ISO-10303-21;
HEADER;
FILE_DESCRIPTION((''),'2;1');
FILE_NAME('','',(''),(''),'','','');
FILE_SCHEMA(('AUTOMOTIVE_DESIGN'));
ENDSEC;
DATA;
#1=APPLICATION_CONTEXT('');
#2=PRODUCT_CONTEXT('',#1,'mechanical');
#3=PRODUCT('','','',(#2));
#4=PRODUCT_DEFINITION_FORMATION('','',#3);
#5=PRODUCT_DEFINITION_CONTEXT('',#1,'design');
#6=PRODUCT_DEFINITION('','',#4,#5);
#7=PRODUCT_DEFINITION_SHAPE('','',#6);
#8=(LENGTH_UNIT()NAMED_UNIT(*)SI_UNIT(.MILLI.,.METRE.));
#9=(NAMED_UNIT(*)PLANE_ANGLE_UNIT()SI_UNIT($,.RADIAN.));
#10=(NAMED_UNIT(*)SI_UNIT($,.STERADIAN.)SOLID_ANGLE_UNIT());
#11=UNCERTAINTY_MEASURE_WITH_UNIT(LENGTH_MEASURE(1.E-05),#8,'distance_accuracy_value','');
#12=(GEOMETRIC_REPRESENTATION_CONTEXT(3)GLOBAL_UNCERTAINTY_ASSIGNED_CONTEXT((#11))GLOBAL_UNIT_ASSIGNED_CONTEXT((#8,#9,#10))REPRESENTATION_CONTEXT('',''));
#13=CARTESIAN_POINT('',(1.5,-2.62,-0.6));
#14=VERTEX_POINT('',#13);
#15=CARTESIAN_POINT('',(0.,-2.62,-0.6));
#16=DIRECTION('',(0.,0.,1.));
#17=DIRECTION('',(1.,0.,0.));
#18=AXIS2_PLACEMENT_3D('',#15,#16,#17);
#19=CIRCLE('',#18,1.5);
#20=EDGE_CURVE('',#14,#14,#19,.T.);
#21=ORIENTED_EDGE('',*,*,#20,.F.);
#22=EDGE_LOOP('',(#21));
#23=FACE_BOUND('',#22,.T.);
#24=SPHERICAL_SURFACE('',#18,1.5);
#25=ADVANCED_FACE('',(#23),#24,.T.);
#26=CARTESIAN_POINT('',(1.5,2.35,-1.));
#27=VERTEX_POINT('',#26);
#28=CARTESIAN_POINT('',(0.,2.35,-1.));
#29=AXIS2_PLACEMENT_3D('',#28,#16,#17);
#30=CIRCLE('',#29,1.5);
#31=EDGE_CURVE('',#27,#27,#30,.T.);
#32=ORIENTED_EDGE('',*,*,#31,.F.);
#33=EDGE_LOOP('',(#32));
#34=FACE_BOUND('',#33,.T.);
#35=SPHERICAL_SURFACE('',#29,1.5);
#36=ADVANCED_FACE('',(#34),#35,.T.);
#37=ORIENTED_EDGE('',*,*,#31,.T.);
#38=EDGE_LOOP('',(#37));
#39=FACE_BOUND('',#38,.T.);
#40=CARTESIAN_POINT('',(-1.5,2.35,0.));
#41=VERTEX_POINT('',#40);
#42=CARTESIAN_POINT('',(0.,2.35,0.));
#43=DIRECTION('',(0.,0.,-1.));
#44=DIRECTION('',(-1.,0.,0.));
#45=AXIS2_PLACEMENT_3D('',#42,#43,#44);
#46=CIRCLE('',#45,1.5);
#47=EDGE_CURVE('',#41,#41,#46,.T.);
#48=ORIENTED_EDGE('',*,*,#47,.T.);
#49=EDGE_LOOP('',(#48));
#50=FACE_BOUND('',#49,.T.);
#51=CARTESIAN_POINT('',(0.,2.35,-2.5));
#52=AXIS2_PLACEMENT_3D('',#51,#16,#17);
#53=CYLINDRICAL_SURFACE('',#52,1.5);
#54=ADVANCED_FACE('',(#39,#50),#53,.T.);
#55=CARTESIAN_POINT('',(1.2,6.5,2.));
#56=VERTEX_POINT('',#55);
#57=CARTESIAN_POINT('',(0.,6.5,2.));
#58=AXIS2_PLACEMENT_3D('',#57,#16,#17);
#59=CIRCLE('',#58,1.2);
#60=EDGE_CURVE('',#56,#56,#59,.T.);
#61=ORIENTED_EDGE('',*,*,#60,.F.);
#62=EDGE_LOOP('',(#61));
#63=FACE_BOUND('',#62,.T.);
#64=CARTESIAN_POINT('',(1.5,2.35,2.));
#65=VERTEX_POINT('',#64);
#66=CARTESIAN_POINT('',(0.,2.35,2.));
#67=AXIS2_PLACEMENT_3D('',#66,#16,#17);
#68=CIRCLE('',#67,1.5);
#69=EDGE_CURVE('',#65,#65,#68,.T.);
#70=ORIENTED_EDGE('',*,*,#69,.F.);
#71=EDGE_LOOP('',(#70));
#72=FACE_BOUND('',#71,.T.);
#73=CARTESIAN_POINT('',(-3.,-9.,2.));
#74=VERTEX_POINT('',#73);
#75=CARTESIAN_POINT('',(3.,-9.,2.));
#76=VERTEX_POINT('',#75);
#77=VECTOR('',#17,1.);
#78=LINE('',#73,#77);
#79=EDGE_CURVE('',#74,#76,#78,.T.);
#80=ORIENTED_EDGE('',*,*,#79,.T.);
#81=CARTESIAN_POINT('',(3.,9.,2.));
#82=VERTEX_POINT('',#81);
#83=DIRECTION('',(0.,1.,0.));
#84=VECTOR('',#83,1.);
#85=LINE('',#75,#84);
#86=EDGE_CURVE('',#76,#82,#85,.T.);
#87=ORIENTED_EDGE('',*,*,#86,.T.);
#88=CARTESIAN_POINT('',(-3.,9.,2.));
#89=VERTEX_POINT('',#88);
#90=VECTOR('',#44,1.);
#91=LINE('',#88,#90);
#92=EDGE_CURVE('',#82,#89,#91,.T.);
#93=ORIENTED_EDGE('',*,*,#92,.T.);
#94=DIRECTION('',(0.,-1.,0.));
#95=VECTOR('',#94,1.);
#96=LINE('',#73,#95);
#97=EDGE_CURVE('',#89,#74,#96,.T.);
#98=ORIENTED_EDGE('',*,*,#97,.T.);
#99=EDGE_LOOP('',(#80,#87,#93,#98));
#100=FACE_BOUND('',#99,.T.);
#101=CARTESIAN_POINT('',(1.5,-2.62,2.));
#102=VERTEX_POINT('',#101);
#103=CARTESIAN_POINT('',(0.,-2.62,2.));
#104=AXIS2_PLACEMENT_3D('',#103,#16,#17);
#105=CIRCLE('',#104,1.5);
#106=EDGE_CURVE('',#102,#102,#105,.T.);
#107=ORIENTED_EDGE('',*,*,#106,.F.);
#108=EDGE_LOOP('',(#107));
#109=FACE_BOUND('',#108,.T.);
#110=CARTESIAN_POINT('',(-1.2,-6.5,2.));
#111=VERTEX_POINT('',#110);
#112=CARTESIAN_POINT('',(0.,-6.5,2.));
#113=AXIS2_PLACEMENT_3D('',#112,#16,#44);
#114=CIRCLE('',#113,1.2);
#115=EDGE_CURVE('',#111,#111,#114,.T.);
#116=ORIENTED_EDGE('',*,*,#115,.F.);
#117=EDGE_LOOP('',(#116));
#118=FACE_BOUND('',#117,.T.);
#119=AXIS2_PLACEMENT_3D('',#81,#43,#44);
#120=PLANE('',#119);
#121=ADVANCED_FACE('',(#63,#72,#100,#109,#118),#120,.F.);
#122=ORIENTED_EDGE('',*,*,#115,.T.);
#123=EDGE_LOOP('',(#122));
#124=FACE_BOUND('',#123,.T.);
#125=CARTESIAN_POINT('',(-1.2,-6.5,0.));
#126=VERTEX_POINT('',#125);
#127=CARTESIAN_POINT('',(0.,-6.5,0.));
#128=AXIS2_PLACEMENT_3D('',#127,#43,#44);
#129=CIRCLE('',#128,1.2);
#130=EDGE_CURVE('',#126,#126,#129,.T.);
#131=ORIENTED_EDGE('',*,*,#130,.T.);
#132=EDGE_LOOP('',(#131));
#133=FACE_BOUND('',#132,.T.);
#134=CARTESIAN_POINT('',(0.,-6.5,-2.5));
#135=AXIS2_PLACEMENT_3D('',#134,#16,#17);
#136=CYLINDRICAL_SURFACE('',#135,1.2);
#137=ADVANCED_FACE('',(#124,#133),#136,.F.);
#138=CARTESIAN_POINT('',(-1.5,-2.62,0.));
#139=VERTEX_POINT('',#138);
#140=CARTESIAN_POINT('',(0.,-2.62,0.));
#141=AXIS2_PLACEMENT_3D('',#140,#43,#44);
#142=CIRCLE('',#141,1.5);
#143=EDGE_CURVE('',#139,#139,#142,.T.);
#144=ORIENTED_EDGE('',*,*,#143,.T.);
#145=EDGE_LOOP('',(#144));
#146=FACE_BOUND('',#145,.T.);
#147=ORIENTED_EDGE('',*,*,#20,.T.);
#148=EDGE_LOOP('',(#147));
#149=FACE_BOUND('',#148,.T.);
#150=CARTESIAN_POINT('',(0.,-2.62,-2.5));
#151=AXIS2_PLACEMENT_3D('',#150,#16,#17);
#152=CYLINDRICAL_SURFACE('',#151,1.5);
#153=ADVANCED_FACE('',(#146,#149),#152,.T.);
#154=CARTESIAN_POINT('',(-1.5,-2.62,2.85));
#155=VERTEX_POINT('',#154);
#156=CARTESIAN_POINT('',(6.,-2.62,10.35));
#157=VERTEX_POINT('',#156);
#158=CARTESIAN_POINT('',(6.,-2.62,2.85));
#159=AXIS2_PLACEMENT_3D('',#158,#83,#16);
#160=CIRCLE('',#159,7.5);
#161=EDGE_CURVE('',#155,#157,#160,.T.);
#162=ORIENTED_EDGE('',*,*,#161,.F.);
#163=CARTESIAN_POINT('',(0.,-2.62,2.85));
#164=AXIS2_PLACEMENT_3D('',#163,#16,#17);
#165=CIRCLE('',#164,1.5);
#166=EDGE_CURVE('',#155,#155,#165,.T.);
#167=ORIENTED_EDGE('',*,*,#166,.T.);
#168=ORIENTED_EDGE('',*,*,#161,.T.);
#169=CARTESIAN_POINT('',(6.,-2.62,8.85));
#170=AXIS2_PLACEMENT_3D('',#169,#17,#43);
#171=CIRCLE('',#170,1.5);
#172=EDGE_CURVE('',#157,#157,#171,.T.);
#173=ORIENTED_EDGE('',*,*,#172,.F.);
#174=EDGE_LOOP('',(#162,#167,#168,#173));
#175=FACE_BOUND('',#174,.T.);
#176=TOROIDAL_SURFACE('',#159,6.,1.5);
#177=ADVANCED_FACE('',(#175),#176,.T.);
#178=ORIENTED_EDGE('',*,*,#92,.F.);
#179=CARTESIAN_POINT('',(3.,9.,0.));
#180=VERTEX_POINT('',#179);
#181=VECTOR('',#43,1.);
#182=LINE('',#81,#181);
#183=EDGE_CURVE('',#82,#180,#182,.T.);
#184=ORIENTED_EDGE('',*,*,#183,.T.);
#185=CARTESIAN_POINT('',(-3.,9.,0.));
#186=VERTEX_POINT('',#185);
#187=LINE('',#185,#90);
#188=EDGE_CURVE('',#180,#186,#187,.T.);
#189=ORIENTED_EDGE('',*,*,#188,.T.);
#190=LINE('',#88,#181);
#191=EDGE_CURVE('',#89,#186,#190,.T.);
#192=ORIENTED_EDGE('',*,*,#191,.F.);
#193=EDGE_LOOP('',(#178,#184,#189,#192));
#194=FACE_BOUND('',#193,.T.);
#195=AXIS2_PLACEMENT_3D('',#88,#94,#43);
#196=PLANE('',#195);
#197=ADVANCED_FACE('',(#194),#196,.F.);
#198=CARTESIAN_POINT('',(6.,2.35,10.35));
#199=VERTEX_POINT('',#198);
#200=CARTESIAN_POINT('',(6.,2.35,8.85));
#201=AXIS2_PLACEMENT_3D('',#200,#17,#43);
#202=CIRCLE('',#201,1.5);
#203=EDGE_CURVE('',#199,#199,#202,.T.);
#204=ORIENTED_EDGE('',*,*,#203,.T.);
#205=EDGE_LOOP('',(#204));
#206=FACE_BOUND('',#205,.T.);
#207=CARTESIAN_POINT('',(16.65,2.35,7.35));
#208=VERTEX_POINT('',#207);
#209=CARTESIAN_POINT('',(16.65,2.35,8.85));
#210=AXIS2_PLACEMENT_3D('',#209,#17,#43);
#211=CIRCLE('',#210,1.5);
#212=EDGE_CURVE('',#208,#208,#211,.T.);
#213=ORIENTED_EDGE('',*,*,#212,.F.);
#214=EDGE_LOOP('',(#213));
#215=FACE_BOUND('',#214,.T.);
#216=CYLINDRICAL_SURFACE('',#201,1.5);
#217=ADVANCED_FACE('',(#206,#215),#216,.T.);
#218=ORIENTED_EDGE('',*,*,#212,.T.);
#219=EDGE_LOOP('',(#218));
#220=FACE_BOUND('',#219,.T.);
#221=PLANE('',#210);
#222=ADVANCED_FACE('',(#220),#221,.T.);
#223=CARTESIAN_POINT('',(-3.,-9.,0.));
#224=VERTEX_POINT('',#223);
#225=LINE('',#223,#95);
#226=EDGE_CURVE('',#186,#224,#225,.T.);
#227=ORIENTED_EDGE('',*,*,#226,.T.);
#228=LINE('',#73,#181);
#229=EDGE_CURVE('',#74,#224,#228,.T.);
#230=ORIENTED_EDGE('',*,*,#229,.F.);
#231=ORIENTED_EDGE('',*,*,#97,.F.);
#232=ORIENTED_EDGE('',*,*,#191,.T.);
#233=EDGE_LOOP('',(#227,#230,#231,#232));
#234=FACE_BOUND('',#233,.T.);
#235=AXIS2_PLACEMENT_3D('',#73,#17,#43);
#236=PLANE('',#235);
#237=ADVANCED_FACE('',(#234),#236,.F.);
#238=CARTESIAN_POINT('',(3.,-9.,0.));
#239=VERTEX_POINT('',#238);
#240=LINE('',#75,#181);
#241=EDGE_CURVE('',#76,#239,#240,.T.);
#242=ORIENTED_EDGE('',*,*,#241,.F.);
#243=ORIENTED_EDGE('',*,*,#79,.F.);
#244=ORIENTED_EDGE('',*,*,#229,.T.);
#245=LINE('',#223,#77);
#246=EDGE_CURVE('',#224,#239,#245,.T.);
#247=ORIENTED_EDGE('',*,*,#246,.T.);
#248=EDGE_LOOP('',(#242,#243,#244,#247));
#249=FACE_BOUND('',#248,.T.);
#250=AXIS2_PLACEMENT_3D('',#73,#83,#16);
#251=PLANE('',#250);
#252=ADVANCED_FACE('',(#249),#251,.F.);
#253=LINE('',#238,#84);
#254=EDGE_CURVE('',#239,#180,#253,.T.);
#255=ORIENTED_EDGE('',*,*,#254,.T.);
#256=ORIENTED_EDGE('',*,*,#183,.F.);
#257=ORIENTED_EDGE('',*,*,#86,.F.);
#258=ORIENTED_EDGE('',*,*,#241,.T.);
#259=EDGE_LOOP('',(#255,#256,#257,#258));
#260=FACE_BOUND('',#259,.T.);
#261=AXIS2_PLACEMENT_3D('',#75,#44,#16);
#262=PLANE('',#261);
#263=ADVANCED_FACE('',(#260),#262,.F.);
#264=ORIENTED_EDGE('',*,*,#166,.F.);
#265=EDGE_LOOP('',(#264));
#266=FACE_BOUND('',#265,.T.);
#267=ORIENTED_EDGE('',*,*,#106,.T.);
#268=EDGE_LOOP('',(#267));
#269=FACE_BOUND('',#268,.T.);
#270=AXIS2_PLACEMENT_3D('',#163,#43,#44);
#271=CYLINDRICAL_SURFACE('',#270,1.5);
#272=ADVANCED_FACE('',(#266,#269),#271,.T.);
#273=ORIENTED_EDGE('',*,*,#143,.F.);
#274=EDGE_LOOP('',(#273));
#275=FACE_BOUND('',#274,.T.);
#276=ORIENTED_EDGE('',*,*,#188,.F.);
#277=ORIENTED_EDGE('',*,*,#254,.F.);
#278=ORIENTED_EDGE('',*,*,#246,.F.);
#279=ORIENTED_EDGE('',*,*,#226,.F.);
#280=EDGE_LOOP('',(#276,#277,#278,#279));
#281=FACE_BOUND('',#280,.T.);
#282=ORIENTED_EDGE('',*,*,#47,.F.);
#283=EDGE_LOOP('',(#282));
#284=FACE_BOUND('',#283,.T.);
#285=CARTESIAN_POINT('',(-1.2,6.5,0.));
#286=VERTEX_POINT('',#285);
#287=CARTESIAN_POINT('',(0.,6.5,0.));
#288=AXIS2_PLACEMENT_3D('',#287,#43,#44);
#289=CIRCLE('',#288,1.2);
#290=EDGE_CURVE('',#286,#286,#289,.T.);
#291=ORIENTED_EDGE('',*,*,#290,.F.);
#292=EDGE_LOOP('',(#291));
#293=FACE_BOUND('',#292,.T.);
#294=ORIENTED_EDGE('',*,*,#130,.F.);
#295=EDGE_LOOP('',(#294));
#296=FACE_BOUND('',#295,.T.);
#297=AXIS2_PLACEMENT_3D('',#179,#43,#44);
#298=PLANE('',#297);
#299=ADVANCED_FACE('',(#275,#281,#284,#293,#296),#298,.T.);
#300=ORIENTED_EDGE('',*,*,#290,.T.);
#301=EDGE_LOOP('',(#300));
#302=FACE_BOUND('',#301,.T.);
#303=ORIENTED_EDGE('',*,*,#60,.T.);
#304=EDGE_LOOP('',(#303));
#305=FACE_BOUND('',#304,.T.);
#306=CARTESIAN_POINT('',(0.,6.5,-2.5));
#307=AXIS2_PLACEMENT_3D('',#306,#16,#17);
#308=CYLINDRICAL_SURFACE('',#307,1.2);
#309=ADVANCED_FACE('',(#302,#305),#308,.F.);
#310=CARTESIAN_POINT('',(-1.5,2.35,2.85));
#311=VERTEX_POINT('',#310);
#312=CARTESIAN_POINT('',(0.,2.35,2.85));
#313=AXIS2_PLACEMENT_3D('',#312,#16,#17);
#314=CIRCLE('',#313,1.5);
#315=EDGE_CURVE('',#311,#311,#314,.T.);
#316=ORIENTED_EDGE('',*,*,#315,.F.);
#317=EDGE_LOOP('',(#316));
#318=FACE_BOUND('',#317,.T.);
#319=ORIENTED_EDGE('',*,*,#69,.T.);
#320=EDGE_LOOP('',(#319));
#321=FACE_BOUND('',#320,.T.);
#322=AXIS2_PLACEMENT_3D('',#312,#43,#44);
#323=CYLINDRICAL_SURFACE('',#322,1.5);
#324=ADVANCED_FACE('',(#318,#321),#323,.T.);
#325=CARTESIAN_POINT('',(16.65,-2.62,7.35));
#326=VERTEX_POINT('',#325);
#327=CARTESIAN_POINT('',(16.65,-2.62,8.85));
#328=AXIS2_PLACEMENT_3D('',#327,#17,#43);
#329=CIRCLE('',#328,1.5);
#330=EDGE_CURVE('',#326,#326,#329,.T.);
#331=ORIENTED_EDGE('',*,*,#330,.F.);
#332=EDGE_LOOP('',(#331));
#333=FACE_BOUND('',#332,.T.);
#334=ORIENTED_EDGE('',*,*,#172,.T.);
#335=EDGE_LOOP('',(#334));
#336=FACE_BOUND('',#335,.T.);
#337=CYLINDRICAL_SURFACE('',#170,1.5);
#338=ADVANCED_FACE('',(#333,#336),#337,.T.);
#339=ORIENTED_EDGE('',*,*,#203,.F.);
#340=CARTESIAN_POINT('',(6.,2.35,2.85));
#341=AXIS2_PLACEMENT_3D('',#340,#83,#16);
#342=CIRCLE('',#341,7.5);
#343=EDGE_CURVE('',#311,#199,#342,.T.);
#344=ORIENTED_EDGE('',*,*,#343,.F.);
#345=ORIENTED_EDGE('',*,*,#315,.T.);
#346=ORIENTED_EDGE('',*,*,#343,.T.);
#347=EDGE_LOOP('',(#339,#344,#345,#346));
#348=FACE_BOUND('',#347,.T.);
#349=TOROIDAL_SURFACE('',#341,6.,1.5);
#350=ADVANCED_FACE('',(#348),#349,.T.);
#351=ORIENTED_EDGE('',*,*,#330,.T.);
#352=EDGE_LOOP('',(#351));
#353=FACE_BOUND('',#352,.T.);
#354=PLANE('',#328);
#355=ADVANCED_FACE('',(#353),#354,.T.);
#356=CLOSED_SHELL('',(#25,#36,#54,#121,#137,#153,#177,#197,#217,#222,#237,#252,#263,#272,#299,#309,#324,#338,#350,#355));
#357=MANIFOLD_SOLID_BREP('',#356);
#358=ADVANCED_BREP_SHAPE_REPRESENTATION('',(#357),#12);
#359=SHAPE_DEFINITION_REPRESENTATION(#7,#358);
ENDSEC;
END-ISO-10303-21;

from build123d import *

# Parameters (mm, degrees)
SKETCH1_W           = 6
SKETCH1_H           = 18
BOSS_EXTRUDE1_DEPTH = 2
SKETCH2_R           = 1.5
BOSS_EXTRUDE2_DEPTH = 2.5
SKETCH6_W           = 2.684515713
SKETCH6_H           = 5.34346461
CUT_EXTRUDE2_DEPTH  = 10
FILLET1_R           = 1.5
SKETCH3_R           = 1.5
SKETCH5_R           = 1.2
CUT_EXTRUDE1_DEPTH  = 21.686831601


with BuildPart() as part:
    # Sketch1 → Boss-Extrude1 (new body)
    with BuildSketch(Plane.XY):
        Rectangle(SKETCH1_W, SKETCH1_H)
    extrude(amount=BOSS_EXTRUDE1_DEPTH)

    # Sketch2 → Boss-Extrude2 (add)
    with BuildSketch(Plane(origin=(0, 0, 0), x_dir=(-1, 0, 0), z_dir=(0, 0, -1))):
        with Locations((0, 2.35)):
            Circle(SKETCH2_R)
        with Locations((0, -2.62)):
            Circle(SKETCH2_R)
    extrude(amount=BOSS_EXTRUDE2_DEPTH)

    # Sketch6 → Cut-Extrude2 (cut)
    with BuildSketch(Plane.ZY.offset(3)):
        with Locations((-3.442257857, -3.208635448)):
            Rectangle(SKETCH6_W, SKETCH6_H)
    extrude(amount=-CUT_EXTRUDE2_DEPTH, mode=Mode.SUBTRACT)

    # Fillet1
    fillet1_edges = [part.edges().sort_by_distance(p)[0] for p in [
        (1.5, 2.35, -2.5),
        (1.5, -2.62, -2.1),
    ]]
    fillet(fillet1_edges, radius=FILLET1_R)

    # Sweep1: sweep along a path in Sketch4
    with BuildLine(Plane(origin=(0, 2.35, 0), x_dir=(-1, 0, 0), z_dir=(0, 1, 0))) as sweep1_path:
        Line((0, 2), (0, 2.85))
        ThreePointArc((0, 2.85), (-1.757359313, 7.092640687), (-6, 8.85))
        Line((-6, 8.85), (-16.65, 8.85))
    # Sketch3 → Sweep1 (sweep)
    with BuildSketch(Plane.XY.offset(2)):
        with Locations((0, -2.62)):
            Circle(SKETCH3_R)
        with Locations((0, 2.35)):
            Circle(SKETCH3_R)
    sweep(path=sweep1_path.line)

    # Sketch5 → Cut-Extrude1 (cut, through all)
    with BuildSketch(Plane.XY.offset(2)):
        with Locations((0, 6.5)):
            Circle(SKETCH5_R)
        with Locations(Location((0, -6.5, 0), (0, 0, 180))):
            Circle(SKETCH5_R)
    extrude(amount=-CUT_EXTRUDE1_DEPTH, mode=Mode.SUBTRACT)


solid = part.part
